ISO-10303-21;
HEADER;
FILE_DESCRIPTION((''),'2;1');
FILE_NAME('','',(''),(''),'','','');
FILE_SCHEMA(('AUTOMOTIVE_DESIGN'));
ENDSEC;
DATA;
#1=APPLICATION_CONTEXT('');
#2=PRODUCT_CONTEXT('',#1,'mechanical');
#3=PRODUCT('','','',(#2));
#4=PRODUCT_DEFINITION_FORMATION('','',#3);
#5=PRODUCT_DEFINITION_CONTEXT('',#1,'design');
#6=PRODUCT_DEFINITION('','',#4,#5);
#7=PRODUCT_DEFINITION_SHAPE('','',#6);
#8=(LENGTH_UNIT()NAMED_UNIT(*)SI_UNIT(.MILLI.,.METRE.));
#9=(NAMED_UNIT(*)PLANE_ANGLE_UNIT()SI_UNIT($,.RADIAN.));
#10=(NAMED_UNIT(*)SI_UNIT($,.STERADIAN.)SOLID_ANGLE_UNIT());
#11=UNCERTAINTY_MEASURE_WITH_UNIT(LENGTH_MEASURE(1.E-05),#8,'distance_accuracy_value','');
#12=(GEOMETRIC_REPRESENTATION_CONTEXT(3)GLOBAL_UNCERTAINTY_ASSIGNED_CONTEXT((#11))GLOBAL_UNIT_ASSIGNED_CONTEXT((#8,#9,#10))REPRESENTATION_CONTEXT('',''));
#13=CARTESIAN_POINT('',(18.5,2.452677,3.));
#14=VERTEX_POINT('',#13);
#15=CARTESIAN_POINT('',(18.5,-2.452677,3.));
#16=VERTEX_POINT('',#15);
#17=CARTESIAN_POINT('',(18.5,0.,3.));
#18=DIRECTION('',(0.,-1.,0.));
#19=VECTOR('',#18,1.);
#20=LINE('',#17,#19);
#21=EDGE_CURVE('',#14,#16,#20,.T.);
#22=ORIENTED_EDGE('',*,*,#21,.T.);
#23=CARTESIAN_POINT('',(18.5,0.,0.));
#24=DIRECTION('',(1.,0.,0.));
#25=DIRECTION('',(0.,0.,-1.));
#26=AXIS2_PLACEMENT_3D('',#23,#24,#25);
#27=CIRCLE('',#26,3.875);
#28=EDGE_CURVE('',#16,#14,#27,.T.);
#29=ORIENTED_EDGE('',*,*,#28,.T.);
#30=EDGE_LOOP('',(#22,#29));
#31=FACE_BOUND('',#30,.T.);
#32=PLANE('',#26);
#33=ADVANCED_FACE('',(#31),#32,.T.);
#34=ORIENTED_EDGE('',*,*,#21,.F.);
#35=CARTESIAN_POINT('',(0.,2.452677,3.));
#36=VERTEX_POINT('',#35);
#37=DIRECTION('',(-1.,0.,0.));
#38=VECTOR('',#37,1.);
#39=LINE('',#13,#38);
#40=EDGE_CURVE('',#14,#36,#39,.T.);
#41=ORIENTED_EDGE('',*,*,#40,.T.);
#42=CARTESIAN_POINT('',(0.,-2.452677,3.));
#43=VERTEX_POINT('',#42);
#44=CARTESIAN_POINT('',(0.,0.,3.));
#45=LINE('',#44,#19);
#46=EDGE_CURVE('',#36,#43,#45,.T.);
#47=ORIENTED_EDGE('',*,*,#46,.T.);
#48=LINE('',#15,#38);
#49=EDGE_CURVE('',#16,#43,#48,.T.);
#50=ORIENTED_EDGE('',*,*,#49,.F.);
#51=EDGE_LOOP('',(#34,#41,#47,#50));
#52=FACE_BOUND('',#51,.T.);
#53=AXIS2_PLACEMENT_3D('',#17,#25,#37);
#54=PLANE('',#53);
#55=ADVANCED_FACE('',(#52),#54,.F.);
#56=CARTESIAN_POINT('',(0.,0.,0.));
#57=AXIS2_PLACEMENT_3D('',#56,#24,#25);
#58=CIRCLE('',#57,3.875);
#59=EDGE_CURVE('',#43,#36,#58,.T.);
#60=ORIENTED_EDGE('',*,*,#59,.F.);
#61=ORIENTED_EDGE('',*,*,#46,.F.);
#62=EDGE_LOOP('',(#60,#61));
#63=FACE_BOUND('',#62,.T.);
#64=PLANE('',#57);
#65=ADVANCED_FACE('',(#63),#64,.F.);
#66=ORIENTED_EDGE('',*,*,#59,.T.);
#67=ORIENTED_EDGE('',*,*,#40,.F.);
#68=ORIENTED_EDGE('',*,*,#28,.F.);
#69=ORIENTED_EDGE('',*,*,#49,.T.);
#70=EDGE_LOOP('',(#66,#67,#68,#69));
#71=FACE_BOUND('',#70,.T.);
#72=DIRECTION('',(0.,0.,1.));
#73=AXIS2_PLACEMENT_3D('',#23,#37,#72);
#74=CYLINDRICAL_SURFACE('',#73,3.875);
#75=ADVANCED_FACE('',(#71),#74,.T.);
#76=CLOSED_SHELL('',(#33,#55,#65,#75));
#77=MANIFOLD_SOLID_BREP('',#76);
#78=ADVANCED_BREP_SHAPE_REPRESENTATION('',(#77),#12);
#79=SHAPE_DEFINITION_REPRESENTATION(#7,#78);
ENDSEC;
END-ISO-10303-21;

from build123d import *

# Parameters (mm, degrees)
SALIENTE_EXTRUIR1_DEPTH = 18.5


with BuildPart() as part:
    # Croquis1 → Saliente-Extruir1 (new body)
    with BuildSketch(Plane.YZ):
        with BuildLine():
            Line((2.452677109, 3), (-2.452677109, 3))
            ThreePointArc((-2.452677109, 3), (0, -3.875), (2.452677109, 3))
        make_face()
    extrude(amount=SALIENTE_EXTRUIR1_DEPTH)


solid = part.part
